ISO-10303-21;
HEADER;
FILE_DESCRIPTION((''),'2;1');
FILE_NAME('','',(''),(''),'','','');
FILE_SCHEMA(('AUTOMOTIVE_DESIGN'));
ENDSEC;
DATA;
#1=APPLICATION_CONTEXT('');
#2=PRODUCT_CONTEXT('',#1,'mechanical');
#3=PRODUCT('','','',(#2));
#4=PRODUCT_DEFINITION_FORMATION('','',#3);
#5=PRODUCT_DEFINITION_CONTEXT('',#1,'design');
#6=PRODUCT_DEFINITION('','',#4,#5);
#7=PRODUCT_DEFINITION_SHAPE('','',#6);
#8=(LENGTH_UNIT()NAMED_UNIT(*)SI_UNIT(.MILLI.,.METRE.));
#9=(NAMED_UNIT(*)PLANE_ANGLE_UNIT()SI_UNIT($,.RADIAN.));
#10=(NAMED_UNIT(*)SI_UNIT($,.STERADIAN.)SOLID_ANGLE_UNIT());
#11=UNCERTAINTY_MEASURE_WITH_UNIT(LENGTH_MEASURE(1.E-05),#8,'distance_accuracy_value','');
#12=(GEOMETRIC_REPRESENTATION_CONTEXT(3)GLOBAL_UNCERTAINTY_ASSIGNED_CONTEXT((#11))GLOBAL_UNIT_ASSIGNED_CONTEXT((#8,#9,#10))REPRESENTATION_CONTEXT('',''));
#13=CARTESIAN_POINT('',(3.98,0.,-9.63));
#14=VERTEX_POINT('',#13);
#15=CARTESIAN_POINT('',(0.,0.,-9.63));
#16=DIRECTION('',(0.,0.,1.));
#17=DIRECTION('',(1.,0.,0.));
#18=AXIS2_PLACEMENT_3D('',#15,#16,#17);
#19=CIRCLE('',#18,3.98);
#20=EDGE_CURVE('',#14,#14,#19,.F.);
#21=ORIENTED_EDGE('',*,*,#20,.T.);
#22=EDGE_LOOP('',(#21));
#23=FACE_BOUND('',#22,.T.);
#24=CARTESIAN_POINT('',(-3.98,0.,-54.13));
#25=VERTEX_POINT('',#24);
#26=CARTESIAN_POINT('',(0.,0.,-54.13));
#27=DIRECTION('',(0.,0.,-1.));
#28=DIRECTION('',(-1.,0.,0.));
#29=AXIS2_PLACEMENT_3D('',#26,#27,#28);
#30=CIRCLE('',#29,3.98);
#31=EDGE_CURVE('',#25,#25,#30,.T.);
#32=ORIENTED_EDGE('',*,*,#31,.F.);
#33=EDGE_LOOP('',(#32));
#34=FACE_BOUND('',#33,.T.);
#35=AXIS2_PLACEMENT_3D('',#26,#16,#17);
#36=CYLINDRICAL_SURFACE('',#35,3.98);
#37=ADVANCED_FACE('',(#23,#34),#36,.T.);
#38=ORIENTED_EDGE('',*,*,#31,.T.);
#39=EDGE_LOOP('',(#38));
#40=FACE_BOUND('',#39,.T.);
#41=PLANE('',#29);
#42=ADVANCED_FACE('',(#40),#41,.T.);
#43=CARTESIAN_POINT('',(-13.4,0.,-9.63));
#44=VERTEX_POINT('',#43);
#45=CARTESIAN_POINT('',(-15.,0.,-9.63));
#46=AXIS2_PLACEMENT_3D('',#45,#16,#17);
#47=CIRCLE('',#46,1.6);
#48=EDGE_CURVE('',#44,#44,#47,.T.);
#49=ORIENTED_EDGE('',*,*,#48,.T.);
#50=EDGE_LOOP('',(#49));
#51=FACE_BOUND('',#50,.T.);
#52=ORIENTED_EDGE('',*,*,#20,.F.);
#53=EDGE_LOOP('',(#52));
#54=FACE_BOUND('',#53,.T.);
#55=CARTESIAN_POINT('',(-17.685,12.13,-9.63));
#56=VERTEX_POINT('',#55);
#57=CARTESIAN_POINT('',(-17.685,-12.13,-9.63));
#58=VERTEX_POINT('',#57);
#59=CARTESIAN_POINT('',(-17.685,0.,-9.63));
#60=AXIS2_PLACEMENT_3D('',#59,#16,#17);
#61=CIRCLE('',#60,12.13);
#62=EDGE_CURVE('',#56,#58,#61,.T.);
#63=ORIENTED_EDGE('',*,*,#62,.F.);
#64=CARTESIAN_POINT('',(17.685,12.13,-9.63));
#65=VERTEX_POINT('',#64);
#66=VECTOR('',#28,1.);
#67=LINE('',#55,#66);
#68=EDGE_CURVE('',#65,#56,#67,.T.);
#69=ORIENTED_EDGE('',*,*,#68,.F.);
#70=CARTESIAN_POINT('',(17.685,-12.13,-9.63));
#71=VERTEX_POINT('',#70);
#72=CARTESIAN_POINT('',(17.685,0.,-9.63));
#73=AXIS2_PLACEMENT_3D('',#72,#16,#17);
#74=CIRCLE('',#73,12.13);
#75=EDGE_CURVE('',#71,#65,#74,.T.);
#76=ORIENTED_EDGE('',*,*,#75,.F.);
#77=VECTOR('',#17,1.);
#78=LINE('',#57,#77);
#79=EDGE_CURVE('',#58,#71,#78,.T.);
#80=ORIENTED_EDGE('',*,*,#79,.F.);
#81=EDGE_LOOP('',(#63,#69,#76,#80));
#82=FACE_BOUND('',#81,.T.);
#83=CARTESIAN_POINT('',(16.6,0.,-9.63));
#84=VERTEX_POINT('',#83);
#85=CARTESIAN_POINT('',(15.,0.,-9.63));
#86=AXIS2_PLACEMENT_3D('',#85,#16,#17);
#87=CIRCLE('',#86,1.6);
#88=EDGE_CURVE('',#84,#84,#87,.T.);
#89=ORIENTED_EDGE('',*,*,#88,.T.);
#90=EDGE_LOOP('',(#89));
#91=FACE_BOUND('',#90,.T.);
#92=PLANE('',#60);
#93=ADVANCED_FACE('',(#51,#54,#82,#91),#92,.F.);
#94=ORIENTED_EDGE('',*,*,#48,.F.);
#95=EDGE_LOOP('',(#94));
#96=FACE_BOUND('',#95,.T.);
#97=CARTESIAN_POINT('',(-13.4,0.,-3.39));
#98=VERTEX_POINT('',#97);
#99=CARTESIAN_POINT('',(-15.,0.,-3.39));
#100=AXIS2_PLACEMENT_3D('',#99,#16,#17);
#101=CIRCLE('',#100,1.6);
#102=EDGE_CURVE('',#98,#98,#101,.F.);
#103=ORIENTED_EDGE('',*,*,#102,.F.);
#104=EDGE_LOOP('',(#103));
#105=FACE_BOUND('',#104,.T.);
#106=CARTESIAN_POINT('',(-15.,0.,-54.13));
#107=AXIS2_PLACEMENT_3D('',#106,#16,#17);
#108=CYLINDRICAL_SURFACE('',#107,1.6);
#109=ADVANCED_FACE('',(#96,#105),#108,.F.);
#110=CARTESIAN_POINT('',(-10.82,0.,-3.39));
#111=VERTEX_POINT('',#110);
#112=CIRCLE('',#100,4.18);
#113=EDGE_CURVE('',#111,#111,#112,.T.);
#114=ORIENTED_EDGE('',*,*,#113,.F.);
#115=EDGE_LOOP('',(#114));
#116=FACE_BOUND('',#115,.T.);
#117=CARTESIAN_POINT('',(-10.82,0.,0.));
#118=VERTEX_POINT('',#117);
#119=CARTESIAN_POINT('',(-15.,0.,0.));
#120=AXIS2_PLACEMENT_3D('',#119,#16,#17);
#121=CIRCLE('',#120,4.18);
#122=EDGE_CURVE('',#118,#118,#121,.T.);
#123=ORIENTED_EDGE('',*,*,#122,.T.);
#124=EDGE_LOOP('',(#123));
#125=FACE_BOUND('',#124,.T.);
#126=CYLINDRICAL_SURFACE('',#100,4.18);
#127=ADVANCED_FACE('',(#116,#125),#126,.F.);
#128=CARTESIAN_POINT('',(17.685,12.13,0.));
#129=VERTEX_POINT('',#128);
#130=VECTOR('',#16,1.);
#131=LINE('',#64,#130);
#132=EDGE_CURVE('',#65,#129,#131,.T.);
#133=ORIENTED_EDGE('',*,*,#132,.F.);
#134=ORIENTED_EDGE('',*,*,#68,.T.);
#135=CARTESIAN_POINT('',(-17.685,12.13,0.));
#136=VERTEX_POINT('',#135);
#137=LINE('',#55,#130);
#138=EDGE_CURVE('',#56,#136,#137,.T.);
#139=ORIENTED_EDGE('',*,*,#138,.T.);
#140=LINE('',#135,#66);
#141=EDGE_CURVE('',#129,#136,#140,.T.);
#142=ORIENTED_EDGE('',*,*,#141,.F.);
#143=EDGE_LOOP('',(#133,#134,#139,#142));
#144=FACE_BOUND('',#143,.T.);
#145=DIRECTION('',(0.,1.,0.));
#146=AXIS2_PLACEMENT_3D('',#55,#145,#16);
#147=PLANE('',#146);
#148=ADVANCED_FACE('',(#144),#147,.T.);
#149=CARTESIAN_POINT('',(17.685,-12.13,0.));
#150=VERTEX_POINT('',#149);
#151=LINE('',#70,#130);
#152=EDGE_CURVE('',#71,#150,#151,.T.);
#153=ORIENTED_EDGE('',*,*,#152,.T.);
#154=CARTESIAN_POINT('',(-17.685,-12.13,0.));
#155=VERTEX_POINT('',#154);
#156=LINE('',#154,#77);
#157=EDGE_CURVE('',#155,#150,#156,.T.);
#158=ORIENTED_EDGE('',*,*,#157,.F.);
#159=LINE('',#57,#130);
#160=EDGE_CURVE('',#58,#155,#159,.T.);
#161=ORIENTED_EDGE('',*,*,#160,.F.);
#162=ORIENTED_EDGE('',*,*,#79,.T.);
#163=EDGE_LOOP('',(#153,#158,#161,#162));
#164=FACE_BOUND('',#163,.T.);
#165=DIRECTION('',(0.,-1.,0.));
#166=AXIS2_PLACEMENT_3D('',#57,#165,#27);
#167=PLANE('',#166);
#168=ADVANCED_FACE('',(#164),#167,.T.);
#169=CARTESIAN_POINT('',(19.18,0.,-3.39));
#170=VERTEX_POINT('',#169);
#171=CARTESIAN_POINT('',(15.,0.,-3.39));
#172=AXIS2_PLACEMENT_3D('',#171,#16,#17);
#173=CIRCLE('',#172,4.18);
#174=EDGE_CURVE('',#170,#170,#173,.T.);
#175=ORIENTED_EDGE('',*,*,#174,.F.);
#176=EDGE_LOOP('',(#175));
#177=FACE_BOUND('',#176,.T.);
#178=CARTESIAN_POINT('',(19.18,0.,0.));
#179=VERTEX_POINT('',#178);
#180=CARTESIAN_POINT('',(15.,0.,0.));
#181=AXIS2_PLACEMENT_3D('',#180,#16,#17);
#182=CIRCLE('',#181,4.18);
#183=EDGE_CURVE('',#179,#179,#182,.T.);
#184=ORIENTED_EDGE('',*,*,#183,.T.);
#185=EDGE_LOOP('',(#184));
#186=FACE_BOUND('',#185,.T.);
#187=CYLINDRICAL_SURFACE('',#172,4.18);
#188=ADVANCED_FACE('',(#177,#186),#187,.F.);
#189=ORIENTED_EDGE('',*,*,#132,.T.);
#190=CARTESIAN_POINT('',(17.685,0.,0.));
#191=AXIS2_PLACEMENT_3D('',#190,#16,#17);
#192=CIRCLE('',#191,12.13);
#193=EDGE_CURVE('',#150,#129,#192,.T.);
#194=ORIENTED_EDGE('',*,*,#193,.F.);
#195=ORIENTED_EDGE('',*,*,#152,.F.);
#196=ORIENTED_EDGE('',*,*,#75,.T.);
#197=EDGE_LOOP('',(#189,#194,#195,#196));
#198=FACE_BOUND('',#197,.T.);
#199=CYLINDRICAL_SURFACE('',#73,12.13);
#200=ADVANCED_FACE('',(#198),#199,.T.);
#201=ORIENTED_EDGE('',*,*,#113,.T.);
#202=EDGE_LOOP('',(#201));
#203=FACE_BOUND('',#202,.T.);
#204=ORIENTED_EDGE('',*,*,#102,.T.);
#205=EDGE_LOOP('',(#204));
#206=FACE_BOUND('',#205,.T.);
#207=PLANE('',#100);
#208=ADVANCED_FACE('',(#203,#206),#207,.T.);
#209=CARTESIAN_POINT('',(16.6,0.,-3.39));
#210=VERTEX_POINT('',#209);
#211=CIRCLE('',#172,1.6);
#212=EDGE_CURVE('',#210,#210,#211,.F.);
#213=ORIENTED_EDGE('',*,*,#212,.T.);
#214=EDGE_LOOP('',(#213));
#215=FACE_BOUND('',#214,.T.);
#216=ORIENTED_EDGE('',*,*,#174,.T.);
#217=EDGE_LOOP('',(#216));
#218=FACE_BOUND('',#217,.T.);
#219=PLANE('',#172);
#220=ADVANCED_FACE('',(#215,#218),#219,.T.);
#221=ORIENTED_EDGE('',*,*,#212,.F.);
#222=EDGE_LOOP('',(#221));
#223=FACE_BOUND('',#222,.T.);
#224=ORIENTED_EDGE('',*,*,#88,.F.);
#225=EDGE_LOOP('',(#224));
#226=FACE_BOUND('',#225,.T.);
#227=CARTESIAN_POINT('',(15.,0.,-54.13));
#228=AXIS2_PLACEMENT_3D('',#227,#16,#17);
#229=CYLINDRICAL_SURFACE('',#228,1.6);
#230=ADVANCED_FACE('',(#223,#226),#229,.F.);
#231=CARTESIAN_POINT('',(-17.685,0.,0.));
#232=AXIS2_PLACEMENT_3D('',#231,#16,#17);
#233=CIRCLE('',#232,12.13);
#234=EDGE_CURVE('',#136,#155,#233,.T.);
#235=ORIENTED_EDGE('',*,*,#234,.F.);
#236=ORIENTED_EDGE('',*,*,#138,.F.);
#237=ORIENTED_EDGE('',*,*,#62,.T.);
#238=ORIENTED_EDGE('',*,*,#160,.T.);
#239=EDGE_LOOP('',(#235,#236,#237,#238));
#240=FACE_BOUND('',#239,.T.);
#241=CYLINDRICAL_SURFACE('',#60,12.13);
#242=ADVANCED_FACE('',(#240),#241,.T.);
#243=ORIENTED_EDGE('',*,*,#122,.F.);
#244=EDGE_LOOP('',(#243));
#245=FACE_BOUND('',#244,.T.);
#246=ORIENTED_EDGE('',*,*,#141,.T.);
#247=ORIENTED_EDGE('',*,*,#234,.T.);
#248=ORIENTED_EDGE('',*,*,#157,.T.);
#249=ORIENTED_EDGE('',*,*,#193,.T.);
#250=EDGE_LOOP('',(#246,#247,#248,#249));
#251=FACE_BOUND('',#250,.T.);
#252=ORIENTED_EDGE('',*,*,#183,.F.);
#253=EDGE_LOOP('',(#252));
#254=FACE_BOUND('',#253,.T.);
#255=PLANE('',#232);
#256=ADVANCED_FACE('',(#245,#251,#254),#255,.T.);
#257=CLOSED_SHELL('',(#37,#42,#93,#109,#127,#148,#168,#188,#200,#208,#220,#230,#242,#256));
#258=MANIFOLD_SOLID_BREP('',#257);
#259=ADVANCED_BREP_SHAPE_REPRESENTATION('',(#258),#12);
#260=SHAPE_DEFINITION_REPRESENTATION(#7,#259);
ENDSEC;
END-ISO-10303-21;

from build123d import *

# Parameters (mm, degrees)
SALIENTE_EXTRUIR1_DEPTH = 9.63
CROQUIS2_R              = 3.98
SALIENTE_EXTRUIR2_DEPTH = 44.5
CROQUIS3_R              = 1.6
CORTAR_EXTRUIR1_DEPTH   = 63.977202423
CROQUIS4_R              = 4.18
CORTAR_EXTRUIR2_DEPTH   = 3.39


with BuildPart() as part:
    # Croquis1 → Saliente-Extruir1 (new body)
    with BuildSketch(Plane.XY):
        with BuildLine():
            Line((-17.685, 12.13), (17.685, 12.13))
            ThreePointArc((17.685, 12.13), (29.815, 0), (17.685, -12.13))
            Line((17.685, -12.13), (-17.685, -12.13))
            ThreePointArc((-17.685, -12.13), (-29.815, 0), (-17.685, 12.13))
        make_face()
    extrude(amount=-SALIENTE_EXTRUIR1_DEPTH)

    # Croquis2 → Saliente-Extruir2 (add)
    with BuildSketch(Plane(origin=(0, 0, -9.63), x_dir=(-1, 0, 0), z_dir=(0, 0, -1))):
        with Locations(Location((0, 0, 0), (0, 0, 180))):
            Circle(CROQUIS2_R)
    extrude(amount=SALIENTE_EXTRUIR2_DEPTH)

    # Croquis3 → Cortar-Extruir1 (cut, through all)
    with BuildSketch(Plane.XY):
        with Locations((-15, 0)):
            Circle(CROQUIS3_R)
        with Locations((15, 0)):
            Circle(CROQUIS3_R)
    extrude(amount=-CORTAR_EXTRUIR1_DEPTH, mode=Mode.SUBTRACT)

    # Croquis4 → Cortar-Extruir2 (cut)
    with BuildSketch(Plane.XY):
        with Locations((-15, 0)):
            Circle(CROQUIS4_R)
        with Locations((15, 0)):
            Circle(CROQUIS4_R)
    extrude(amount=-CORTAR_EXTRUIR2_DEPTH, mode=Mode.SUBTRACT)


solid = part.part
